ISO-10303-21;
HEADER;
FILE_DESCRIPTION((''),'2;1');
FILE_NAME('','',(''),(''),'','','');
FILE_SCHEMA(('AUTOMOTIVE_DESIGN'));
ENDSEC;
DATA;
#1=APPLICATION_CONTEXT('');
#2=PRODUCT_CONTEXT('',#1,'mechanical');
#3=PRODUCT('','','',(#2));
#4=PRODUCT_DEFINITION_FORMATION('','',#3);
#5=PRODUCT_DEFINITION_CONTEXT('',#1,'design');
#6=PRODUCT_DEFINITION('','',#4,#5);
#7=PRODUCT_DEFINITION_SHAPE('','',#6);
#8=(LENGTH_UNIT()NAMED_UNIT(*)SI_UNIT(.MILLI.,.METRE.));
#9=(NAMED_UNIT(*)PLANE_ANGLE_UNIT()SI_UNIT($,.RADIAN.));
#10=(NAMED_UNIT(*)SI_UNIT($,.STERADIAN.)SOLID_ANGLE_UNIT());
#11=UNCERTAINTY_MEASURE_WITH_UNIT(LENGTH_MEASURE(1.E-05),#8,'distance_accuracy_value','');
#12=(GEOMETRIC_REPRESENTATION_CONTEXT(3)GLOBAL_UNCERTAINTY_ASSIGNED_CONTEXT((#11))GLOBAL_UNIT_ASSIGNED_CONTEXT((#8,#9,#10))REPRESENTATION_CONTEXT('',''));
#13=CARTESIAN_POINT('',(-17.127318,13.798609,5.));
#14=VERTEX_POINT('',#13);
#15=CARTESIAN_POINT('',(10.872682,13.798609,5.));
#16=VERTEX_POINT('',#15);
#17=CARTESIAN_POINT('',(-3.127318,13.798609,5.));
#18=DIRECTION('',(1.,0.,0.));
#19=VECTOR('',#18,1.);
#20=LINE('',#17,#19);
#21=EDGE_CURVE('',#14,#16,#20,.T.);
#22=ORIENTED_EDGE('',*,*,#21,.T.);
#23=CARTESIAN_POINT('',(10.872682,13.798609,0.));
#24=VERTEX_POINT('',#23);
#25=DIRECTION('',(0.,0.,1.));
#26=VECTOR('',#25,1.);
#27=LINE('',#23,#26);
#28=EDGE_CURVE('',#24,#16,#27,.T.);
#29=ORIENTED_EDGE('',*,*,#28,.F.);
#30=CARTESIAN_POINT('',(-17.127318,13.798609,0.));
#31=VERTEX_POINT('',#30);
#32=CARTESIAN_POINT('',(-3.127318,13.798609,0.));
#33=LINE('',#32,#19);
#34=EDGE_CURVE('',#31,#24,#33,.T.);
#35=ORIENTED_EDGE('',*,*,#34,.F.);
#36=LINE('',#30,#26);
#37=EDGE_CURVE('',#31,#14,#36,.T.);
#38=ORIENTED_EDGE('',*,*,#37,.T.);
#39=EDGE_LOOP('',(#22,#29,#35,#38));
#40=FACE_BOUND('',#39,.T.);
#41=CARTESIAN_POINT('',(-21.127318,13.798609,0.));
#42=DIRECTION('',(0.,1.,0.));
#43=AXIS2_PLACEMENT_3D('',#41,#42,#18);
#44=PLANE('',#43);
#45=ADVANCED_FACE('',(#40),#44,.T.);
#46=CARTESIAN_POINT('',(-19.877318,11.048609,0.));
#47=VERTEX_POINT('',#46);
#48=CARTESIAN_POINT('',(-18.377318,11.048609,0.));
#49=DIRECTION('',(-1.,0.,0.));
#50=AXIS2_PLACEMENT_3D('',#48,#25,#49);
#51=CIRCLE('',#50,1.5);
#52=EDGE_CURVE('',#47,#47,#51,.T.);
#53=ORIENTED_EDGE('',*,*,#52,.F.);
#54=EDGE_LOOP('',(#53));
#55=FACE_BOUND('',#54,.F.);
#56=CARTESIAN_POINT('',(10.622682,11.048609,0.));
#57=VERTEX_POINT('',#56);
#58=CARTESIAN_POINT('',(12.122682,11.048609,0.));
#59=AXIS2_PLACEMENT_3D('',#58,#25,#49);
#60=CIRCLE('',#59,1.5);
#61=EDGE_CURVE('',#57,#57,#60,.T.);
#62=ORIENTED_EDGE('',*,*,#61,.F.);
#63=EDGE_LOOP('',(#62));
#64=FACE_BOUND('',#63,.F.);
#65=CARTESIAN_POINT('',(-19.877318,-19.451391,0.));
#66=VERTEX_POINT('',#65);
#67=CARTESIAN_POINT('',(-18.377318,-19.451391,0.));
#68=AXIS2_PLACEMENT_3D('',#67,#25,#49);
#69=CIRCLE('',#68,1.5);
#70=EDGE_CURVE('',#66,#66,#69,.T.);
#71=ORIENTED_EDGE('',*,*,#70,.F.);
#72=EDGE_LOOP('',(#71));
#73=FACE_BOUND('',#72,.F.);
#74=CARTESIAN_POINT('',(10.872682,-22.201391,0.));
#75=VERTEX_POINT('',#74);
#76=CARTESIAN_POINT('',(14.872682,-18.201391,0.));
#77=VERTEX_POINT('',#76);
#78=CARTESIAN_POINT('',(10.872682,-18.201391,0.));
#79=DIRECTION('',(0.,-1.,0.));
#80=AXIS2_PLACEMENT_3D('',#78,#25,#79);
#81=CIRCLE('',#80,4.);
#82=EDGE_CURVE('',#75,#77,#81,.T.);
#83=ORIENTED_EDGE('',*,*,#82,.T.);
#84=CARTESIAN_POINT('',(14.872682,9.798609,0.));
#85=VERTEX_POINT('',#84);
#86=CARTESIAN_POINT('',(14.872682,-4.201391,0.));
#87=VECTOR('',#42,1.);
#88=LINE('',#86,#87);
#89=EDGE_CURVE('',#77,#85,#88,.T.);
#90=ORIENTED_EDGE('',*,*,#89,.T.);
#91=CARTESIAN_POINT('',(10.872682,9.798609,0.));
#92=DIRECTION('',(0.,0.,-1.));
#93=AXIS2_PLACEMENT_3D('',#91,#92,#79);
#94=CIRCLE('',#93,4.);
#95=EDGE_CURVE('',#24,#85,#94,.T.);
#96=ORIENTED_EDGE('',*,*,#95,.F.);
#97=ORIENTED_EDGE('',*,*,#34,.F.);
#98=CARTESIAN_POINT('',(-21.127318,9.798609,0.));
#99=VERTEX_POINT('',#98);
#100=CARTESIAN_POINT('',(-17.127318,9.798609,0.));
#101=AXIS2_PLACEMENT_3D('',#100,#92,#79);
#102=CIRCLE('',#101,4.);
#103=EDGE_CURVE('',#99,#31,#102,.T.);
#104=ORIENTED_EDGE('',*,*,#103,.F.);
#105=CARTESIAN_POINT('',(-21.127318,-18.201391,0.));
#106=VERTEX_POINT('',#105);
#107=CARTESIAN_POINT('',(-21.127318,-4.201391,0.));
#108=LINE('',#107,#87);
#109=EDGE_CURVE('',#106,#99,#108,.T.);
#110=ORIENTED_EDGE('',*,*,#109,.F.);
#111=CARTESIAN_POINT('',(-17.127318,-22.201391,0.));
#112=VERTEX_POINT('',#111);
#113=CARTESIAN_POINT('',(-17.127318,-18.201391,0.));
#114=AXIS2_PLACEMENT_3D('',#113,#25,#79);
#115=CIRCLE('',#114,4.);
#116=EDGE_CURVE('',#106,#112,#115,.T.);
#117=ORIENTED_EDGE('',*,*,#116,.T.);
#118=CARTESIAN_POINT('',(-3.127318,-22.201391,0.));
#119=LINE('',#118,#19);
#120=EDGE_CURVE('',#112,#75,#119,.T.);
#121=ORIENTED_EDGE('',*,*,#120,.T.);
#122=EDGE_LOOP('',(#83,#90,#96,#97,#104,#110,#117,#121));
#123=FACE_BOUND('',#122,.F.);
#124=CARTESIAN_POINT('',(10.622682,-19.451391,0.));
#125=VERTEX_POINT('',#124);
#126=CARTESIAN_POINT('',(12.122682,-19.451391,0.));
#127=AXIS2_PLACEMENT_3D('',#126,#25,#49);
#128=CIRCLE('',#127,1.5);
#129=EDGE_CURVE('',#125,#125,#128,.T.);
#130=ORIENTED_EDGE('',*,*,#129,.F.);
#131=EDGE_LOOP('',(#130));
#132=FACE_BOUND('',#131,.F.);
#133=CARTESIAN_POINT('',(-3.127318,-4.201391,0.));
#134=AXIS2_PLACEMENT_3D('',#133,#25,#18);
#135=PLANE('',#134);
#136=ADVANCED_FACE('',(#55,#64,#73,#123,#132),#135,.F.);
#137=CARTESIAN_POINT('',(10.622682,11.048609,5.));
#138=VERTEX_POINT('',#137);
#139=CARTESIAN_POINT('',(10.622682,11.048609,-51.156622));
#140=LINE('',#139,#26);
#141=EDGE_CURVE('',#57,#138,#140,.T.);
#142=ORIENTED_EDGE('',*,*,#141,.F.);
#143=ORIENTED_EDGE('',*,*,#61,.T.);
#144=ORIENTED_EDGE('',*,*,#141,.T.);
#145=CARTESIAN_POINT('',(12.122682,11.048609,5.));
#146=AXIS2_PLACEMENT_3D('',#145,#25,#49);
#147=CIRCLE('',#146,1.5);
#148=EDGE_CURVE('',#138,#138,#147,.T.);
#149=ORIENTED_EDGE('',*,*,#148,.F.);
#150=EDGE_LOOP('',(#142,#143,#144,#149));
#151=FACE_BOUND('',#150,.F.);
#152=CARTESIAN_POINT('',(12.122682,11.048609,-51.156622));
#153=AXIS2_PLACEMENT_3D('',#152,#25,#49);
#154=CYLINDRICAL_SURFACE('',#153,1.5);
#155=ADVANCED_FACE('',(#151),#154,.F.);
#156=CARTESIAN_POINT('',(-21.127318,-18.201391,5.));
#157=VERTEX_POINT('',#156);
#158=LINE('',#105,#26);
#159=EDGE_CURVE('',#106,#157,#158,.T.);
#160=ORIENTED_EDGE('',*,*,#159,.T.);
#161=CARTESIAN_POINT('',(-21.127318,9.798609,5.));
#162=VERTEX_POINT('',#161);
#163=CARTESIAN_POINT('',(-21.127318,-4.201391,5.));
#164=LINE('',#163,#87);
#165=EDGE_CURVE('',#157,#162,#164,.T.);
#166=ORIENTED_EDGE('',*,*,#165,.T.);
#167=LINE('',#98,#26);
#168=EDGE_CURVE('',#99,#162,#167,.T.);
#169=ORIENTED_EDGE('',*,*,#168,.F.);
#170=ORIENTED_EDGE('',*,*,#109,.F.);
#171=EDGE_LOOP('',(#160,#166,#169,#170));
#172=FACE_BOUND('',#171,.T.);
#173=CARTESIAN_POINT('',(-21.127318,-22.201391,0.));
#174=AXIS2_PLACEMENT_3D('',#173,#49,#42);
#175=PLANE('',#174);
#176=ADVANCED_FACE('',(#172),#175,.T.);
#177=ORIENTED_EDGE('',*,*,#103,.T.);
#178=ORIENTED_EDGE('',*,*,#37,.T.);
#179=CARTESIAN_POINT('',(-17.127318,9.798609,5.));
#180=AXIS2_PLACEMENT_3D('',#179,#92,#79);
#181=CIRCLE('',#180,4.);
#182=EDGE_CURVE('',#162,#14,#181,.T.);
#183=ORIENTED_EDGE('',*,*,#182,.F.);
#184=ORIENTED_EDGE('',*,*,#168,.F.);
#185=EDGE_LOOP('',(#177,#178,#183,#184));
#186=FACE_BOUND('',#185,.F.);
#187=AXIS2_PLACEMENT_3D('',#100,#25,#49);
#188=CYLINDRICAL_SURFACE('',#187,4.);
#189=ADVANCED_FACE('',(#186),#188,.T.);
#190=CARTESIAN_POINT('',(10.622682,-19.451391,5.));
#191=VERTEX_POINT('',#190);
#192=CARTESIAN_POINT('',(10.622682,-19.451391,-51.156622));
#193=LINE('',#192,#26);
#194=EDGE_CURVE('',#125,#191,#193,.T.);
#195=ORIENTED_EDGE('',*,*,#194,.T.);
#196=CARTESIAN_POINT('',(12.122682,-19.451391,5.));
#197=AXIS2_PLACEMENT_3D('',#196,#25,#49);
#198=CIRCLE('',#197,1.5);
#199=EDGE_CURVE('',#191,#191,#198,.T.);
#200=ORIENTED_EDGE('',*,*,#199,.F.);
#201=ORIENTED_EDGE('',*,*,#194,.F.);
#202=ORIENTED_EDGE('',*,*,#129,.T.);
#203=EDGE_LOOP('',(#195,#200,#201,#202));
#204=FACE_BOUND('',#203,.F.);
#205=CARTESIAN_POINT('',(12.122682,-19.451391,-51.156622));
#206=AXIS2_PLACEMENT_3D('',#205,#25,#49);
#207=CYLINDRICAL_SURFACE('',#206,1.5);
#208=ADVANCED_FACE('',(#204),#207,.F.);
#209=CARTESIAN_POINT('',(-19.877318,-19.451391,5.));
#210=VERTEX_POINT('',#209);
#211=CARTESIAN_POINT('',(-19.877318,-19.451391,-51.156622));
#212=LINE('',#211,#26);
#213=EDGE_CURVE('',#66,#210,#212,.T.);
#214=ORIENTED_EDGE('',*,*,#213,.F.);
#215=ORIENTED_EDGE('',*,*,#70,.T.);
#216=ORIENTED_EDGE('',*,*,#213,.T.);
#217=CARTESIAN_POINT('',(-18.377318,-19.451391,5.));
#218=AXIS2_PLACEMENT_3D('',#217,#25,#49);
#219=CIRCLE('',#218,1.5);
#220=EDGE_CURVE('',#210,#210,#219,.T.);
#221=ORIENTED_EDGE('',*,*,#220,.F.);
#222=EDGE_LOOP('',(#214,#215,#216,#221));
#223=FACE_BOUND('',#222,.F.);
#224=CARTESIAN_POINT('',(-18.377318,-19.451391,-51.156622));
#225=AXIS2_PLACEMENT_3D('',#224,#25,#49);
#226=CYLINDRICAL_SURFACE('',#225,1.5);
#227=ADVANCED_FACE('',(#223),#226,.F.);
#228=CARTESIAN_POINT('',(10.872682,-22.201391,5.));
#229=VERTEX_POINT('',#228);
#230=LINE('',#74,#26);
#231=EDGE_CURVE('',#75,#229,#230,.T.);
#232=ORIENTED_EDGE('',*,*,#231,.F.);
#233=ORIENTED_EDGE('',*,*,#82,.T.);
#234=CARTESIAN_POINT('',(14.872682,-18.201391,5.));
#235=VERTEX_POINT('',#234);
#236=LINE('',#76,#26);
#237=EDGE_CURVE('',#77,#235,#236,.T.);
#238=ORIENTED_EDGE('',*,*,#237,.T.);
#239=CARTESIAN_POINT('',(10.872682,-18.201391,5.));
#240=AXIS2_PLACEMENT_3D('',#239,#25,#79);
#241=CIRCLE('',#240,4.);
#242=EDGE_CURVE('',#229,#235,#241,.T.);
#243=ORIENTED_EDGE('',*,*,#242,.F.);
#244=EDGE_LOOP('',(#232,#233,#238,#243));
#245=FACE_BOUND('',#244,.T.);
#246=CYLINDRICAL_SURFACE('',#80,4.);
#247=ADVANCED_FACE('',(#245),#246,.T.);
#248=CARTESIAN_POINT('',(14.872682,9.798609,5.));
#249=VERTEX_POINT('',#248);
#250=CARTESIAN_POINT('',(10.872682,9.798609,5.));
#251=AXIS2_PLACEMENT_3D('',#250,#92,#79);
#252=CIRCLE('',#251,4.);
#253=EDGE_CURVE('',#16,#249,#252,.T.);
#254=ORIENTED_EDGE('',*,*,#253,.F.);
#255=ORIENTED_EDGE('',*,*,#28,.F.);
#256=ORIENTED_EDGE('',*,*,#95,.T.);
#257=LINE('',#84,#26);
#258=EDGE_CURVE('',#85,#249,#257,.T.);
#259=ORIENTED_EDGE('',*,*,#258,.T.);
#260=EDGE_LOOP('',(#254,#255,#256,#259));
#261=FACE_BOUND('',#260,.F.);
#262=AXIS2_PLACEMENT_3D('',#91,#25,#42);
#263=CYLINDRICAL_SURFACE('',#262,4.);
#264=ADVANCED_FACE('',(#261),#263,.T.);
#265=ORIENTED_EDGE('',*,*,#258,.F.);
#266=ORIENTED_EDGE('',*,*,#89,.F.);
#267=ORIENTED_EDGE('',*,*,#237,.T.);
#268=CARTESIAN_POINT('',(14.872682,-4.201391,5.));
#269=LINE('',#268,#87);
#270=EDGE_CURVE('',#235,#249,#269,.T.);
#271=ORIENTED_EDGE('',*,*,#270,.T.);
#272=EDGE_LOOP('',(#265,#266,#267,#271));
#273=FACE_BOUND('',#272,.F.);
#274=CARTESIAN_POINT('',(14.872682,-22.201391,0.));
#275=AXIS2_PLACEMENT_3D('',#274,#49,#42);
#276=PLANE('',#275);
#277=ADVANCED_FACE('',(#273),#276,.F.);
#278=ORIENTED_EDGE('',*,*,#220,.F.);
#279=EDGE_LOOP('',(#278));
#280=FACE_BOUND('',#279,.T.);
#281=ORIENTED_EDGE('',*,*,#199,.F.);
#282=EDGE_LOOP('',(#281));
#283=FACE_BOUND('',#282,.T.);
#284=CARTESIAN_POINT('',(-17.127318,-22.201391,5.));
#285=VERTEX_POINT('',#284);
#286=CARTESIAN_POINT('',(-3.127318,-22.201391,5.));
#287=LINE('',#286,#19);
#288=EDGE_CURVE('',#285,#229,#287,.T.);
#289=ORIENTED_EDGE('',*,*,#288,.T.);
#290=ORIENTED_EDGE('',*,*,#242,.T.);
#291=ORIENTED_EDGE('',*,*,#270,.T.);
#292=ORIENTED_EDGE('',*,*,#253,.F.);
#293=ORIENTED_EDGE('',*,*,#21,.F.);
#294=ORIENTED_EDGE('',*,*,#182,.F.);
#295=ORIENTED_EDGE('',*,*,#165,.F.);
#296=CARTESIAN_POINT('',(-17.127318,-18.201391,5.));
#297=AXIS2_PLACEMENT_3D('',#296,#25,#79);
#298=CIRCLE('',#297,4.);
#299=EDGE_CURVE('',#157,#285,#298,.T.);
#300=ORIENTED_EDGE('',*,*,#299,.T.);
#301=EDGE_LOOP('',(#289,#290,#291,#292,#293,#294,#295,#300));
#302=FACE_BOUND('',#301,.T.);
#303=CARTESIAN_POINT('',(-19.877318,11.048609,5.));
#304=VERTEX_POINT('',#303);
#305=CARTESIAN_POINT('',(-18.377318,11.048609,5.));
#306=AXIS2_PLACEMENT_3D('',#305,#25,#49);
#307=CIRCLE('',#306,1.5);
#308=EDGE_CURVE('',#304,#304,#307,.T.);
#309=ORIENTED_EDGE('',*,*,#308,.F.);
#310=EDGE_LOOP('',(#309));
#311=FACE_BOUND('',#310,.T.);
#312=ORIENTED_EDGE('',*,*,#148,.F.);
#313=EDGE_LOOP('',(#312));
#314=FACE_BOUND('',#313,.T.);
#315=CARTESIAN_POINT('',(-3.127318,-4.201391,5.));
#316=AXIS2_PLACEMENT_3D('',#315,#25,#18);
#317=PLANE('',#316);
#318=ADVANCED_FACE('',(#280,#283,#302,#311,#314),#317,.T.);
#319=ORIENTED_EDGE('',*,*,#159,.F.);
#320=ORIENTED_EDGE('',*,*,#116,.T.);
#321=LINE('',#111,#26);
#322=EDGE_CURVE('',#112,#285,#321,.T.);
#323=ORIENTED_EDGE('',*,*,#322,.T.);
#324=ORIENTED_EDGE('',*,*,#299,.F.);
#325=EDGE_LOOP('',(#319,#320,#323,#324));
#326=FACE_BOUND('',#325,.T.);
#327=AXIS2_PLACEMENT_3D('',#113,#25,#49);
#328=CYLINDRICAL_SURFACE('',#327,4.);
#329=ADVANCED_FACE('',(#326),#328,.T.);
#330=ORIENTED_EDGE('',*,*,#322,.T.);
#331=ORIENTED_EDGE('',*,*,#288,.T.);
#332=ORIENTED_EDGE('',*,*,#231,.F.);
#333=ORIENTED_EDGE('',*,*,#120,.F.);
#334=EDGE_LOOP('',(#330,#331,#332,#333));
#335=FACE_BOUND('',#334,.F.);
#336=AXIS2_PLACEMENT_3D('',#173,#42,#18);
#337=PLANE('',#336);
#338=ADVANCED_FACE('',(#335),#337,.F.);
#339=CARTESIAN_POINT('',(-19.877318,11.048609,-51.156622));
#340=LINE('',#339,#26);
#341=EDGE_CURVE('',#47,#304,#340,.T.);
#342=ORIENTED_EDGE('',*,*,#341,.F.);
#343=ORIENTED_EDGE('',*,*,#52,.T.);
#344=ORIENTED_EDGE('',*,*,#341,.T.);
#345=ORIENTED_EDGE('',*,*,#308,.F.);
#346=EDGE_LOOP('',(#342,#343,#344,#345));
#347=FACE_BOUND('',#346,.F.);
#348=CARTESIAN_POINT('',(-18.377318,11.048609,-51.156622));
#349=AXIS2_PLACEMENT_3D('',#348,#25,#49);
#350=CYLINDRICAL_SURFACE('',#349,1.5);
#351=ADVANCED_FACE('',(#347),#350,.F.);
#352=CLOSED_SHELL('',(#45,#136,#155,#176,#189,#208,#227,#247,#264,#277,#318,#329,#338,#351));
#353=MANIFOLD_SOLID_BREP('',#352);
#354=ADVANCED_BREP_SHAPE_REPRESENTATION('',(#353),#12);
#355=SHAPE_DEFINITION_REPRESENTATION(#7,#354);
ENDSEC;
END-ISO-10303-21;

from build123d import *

# Parameters (mm, degrees)
F0_W     = 36
F0_H     = 36
F1_DEPTH = 5
F2_D     = 3
F3_R     = 4


with BuildPart() as f1:
    # F0 (on Top) → F1 (new body)
    with BuildSketch(Plane.XY):
        with Locations((-3.1273178756, -4.2013906179)):
            Rectangle(F0_W, F0_H)
    extrude(amount=F1_DEPTH)

    # F2 (through all)
    with Locations(Plane(origin=(0, 0, 0), x_dir=(1, 0, 0), z_dir=(0, 0, -1))):
        with Locations((12.1226821244, -11.0486093821), (-18.3773178756, -11.0486093821), (-18.3773178756, 19.4513906179), (12.1226821244, 19.4513906179)):
            Hole(F2_D / 2)

    # F3
    f3_edges = [f1.edges().sort_by_distance(p)[0] for p in [
        (14.872682, -22.201391, 2.5),
        (14.872682, 13.798609, 2.5),
        (-21.127318, -22.201391, 2.5),
        (-21.127318, 13.798609, 2.5),
    ]]
    fillet(f3_edges, radius=F3_R)


solid = f1.part
